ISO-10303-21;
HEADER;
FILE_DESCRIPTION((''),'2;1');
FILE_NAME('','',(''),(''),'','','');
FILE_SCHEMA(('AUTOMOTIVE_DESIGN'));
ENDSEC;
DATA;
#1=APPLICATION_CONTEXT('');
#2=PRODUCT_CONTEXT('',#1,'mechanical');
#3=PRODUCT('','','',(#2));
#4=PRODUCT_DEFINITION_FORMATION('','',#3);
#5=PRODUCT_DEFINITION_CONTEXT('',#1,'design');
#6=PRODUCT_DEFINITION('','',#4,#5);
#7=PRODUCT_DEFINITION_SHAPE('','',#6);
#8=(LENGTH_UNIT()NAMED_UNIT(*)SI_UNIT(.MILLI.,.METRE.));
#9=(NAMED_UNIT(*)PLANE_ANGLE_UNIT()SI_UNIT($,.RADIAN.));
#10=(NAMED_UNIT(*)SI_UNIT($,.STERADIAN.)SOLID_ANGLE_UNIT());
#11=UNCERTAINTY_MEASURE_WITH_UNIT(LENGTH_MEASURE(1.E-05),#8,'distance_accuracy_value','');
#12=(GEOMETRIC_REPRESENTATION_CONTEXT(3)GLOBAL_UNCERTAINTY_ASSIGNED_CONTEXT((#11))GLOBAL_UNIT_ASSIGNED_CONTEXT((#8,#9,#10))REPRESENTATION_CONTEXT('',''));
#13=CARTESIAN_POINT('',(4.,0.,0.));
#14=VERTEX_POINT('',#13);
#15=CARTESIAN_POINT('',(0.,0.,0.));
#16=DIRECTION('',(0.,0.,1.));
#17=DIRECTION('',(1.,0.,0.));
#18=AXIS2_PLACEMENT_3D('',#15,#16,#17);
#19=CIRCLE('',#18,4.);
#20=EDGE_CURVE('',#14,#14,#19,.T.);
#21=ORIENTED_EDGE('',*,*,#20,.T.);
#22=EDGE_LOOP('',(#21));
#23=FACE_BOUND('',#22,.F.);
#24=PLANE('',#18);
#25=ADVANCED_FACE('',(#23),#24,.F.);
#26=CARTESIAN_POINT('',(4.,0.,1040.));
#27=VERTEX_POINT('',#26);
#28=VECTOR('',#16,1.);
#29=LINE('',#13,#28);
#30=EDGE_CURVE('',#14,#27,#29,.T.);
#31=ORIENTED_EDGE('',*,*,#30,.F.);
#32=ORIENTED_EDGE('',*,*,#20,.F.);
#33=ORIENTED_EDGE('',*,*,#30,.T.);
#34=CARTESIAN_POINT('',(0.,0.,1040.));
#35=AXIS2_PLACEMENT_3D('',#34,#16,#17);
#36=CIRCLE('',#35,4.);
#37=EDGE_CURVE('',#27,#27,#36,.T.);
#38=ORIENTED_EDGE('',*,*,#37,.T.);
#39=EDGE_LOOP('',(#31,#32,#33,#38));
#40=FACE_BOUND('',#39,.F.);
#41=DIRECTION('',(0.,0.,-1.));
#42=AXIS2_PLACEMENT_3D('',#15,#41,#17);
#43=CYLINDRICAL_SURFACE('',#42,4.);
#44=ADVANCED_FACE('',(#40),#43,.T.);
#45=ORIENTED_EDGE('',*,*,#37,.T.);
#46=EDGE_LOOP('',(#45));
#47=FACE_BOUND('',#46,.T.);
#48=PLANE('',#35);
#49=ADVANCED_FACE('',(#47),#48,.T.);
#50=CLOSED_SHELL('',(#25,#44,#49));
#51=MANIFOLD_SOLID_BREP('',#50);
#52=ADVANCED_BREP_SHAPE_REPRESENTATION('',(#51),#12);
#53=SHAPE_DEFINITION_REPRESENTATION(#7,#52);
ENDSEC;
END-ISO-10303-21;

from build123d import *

# Parameters (mm, degrees)
SKETCH1_R           = 4
BOSS_EXTRUDE1_DEPTH = 1040


with BuildPart() as part:
    # Sketch1 → Boss-Extrude1 (new body)
    with BuildSketch(Plane.XY):
        Circle(SKETCH1_R)
    extrude(amount=BOSS_EXTRUDE1_DEPTH)


solid = part.part
